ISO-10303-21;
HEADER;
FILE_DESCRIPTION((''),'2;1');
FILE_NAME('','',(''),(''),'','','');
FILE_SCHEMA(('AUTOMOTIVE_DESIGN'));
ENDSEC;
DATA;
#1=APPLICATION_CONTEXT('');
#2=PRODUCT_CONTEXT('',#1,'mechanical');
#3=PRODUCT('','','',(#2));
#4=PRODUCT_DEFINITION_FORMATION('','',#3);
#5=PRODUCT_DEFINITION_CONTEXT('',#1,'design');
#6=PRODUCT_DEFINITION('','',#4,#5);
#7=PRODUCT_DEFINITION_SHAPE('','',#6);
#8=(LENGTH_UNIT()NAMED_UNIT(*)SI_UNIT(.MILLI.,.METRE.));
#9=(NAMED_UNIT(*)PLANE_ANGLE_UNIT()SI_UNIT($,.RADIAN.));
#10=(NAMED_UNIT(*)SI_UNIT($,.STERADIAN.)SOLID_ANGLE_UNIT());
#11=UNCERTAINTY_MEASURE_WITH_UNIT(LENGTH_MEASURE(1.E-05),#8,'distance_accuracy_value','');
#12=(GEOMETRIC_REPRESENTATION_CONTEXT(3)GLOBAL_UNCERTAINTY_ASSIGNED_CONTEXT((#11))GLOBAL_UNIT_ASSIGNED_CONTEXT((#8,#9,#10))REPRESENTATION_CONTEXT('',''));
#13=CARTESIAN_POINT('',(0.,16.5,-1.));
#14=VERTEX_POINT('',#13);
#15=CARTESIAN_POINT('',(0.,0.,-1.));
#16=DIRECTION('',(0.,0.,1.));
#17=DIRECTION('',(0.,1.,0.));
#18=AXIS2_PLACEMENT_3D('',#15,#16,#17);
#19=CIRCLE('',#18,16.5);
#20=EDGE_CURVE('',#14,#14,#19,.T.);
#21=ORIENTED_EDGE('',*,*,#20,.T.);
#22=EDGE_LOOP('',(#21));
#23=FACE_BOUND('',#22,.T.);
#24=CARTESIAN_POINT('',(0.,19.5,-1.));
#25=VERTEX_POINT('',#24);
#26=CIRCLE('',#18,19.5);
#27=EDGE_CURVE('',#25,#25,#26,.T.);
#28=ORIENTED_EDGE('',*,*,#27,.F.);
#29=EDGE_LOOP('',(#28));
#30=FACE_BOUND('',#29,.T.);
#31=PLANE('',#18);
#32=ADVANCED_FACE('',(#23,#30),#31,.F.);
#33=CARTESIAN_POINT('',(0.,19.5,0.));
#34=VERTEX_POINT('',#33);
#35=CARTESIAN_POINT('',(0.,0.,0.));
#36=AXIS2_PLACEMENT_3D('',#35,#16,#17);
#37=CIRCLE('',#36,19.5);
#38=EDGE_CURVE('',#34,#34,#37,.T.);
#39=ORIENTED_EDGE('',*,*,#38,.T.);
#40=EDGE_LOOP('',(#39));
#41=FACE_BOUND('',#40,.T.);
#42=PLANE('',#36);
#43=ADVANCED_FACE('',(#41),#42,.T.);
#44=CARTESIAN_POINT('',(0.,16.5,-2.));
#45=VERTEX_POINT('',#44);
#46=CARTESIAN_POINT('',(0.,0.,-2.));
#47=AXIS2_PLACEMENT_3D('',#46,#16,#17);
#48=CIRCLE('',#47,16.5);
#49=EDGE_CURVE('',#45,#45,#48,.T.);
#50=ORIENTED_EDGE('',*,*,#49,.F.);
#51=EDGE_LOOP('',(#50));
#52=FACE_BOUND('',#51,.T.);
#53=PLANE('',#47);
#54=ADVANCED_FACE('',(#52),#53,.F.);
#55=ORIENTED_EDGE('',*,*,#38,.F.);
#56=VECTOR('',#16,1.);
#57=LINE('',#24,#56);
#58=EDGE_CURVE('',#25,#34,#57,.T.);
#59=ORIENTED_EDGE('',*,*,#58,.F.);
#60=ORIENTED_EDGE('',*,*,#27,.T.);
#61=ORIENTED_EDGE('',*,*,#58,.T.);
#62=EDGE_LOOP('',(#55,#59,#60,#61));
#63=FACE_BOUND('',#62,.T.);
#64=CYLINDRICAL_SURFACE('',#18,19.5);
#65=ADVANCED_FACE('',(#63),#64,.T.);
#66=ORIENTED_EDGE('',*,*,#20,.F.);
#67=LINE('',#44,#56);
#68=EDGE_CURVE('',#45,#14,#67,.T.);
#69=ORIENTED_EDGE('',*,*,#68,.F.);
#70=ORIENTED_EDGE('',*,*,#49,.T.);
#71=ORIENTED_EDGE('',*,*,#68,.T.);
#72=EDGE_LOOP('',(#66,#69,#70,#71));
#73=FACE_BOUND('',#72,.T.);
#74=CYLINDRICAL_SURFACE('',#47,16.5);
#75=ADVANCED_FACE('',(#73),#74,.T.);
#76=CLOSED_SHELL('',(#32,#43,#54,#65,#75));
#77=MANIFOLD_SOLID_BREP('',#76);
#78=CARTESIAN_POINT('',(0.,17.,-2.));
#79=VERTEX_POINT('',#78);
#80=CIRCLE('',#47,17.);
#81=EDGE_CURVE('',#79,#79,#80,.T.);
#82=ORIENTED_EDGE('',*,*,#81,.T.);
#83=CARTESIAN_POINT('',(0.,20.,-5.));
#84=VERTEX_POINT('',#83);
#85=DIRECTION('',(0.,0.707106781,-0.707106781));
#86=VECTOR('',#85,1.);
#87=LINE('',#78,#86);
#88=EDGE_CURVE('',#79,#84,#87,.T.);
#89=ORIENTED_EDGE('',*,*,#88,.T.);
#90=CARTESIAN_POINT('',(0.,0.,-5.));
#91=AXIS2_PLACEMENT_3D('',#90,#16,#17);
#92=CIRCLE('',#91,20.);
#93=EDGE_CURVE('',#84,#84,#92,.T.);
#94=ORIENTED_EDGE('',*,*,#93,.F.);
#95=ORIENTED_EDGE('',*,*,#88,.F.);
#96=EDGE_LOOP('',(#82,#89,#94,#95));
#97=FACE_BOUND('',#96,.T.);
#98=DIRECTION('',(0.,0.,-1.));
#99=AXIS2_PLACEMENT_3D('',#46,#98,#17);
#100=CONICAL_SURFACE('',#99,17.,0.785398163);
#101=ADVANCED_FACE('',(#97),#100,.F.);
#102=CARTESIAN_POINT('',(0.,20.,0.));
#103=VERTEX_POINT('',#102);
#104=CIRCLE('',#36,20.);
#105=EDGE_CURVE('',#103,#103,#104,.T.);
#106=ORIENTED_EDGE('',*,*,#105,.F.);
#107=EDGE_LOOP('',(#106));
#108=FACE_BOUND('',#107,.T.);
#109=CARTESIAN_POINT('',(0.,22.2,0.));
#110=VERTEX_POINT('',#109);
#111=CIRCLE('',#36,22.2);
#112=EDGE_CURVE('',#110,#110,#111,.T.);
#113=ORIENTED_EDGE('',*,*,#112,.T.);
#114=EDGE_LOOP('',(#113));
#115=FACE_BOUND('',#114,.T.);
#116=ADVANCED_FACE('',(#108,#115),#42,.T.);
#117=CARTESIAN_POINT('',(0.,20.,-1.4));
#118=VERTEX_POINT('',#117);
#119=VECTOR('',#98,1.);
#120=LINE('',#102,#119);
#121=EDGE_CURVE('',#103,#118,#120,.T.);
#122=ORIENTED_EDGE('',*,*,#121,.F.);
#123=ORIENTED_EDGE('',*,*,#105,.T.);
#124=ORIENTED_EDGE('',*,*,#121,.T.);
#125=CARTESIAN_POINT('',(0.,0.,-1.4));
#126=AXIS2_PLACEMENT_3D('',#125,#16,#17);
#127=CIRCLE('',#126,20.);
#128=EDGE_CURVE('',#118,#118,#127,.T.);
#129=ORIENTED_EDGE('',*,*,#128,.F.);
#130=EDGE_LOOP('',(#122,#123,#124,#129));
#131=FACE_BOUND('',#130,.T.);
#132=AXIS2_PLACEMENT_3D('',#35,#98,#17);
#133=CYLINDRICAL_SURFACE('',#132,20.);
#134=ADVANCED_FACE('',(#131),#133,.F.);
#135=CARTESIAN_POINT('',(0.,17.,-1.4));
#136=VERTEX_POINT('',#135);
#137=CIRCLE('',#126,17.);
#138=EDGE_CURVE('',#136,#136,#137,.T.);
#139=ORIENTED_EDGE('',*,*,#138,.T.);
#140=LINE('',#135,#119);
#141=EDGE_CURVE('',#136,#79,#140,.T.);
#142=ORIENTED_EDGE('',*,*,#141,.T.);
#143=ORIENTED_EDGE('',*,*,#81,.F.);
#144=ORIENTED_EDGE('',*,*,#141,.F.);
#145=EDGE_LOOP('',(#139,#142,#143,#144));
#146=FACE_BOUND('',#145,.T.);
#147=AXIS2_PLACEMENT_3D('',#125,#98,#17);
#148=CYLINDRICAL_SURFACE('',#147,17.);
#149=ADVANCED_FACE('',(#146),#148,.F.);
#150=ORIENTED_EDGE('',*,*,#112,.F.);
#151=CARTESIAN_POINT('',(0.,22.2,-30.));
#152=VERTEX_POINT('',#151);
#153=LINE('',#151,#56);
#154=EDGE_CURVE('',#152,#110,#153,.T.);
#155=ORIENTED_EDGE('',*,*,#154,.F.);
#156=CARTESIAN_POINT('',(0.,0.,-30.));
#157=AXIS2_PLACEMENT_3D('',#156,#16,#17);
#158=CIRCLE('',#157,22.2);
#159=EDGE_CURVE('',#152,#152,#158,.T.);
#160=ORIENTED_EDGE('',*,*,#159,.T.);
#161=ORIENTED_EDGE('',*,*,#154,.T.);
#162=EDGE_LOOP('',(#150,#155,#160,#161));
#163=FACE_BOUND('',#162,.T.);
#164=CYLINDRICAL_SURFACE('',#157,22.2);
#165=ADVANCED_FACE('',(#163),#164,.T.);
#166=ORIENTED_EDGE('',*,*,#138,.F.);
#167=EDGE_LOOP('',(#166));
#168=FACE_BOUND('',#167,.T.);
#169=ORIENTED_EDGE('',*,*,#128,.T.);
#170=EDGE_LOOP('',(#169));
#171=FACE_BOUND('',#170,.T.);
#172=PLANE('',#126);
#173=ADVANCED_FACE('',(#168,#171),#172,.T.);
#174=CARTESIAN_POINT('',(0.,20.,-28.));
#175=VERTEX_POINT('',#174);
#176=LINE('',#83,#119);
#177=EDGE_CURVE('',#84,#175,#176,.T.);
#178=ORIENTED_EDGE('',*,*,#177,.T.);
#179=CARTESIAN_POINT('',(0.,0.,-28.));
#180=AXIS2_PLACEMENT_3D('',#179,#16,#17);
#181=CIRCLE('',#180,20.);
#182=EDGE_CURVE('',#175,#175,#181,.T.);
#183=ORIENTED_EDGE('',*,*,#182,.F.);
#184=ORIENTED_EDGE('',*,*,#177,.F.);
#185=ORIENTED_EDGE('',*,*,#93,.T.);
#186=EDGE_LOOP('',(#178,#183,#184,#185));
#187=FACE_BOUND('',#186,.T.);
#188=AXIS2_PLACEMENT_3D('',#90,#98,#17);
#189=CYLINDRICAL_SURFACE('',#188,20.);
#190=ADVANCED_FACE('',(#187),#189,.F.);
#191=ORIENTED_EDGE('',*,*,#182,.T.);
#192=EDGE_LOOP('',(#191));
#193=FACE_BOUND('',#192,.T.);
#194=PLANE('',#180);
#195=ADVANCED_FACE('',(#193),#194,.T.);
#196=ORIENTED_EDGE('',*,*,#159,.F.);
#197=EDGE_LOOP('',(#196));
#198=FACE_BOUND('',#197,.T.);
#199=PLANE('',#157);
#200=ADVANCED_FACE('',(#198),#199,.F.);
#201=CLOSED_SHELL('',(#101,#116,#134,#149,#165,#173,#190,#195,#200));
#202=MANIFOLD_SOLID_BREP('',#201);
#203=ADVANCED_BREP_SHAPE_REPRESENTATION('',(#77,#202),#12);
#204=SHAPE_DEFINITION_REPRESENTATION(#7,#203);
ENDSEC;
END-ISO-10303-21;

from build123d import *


with BuildPart() as f1:
    # F0 (on Right) → F1 (revolve)
    with BuildSketch(Plane.YZ):
        Polygon((22.2, -30), (22.2, 0), (20, 0), (20, -1.4), (17, -1.4), (17, -2), (20, -5), (20, -28), (0, -28), (0, -30), align=None)
        Polygon((19.5, -1), (19.5, 0), (0, 0), (0, -2), (16.5, -2), (16.5, -1), align=None)
    revolve(axis=Axis((0, 0, -29), (0, 0, 1)))


solid = f1.part
